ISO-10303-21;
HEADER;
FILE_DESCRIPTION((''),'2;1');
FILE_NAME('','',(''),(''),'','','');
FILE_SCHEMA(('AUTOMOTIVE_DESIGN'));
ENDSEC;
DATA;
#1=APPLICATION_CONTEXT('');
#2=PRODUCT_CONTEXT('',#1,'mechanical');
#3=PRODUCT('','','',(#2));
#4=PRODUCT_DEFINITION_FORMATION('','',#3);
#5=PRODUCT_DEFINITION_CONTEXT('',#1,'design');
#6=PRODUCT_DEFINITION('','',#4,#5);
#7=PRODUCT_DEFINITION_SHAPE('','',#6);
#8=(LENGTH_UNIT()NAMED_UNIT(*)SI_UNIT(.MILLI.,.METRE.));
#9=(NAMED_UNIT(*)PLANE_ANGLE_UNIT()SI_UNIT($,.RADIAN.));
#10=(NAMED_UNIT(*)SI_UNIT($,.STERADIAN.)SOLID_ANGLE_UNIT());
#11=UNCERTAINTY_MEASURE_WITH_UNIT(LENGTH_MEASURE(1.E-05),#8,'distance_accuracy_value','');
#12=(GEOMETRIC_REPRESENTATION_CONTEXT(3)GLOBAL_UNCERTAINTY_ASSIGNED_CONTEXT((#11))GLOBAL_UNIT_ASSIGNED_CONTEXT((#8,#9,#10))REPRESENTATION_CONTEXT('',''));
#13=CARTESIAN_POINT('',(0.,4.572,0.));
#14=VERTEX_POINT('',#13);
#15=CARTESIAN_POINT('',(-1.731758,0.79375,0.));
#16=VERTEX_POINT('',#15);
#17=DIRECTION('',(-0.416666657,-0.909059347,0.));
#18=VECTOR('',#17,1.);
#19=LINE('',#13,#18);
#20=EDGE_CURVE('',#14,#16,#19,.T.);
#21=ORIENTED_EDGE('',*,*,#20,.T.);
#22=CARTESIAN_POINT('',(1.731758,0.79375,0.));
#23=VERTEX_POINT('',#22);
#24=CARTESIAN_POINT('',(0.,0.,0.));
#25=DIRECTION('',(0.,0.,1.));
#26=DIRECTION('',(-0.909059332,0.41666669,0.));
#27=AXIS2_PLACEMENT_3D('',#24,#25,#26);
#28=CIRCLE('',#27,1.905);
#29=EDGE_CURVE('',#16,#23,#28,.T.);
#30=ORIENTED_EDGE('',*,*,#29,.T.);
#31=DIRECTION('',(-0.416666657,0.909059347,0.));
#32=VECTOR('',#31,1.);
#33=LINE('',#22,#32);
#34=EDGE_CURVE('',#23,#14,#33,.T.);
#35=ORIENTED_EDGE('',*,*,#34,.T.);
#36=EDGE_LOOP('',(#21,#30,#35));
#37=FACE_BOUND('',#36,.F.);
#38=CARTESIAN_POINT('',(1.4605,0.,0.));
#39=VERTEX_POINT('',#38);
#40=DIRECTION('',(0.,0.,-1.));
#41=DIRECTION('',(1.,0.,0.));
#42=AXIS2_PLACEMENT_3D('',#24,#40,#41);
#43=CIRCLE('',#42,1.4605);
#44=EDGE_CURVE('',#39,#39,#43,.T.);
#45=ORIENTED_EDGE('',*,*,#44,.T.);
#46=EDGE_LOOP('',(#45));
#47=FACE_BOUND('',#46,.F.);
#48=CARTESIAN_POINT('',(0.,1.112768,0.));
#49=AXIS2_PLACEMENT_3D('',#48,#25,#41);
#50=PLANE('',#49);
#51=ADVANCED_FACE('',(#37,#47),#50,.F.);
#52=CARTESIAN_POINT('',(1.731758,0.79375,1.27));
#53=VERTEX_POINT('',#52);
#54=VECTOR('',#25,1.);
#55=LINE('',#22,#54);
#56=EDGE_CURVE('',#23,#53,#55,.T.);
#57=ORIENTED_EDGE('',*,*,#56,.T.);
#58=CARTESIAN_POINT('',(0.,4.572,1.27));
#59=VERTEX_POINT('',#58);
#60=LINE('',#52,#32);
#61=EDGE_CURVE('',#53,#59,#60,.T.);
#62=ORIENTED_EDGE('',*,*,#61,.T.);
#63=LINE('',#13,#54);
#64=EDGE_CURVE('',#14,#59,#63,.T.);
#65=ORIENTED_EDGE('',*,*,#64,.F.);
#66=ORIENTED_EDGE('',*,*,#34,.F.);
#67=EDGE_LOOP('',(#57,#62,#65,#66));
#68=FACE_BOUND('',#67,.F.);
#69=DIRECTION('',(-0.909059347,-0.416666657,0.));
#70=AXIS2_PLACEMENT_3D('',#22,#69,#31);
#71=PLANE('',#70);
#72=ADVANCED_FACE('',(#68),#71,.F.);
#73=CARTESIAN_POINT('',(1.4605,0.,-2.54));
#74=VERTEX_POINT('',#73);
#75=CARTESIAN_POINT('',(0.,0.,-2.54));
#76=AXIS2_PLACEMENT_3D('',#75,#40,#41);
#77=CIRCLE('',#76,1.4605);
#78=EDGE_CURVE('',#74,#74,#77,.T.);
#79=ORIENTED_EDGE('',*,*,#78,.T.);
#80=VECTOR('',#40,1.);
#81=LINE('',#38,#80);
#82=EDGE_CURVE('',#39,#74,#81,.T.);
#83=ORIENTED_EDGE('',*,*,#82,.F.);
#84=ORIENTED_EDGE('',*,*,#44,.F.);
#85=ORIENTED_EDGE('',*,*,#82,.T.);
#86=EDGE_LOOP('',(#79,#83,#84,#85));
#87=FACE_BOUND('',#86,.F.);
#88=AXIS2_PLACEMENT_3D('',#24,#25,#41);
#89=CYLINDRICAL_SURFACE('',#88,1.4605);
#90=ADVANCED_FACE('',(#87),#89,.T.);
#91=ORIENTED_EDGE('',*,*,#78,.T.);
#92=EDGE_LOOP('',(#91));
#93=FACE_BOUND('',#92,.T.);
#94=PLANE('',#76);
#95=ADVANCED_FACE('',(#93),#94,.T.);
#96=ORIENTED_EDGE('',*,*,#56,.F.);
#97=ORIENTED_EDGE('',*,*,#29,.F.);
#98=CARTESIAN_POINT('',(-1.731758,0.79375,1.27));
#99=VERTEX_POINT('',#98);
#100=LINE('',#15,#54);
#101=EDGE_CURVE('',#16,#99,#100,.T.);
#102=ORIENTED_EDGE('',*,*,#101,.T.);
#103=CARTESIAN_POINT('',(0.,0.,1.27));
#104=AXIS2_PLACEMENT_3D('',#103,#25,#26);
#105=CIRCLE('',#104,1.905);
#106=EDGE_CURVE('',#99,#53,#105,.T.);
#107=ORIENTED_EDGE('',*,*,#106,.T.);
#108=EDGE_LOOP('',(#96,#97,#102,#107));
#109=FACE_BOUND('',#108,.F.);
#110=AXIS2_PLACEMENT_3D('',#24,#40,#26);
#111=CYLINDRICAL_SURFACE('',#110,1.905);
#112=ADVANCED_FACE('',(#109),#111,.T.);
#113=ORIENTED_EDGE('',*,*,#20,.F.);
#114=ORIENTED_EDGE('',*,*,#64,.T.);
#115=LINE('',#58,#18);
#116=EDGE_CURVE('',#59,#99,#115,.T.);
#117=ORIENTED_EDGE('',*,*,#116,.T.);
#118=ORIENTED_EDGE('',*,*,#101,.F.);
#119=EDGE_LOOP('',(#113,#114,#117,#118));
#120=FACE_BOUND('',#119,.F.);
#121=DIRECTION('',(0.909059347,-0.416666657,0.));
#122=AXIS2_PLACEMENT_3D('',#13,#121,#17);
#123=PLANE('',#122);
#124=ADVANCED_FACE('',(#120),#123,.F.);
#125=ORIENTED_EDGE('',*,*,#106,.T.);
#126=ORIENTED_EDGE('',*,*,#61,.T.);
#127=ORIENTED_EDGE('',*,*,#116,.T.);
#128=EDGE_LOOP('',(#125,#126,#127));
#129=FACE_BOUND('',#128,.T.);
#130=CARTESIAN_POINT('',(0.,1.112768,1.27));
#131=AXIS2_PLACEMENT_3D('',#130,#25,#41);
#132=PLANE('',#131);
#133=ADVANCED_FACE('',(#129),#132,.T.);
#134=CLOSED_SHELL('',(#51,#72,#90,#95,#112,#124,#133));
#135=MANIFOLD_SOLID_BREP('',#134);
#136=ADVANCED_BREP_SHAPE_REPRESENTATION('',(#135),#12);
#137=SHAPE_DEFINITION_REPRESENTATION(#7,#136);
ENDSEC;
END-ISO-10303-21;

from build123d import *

# Parameters (mm, degrees)
F1_DEPTH = 1.27
F2_R     = 1.4605
F3_DEPTH = 2.54


with BuildPart() as f1:
    # F0 (on Top) → F1 (new body)
    with BuildSketch(Plane.XY):
        with BuildLine():
            Line((0, 4.572), (-1.731758, 0.79375))
            ThreePointArc((-1.731758, 0.79375), (0, -1.905), (1.731758, 0.79375))
            Line((1.731758, 0.79375), (0, 4.572))
        make_face()
    extrude(amount=F1_DEPTH)

    # F2 (on face) → F3 (join)
    with BuildSketch(Plane(origin=(0, 0, 0), x_dir=(1, 0, 0), z_dir=(0, 0, -1))):
        Circle(F2_R)
    extrude(amount=F3_DEPTH)


solid = f1.part
